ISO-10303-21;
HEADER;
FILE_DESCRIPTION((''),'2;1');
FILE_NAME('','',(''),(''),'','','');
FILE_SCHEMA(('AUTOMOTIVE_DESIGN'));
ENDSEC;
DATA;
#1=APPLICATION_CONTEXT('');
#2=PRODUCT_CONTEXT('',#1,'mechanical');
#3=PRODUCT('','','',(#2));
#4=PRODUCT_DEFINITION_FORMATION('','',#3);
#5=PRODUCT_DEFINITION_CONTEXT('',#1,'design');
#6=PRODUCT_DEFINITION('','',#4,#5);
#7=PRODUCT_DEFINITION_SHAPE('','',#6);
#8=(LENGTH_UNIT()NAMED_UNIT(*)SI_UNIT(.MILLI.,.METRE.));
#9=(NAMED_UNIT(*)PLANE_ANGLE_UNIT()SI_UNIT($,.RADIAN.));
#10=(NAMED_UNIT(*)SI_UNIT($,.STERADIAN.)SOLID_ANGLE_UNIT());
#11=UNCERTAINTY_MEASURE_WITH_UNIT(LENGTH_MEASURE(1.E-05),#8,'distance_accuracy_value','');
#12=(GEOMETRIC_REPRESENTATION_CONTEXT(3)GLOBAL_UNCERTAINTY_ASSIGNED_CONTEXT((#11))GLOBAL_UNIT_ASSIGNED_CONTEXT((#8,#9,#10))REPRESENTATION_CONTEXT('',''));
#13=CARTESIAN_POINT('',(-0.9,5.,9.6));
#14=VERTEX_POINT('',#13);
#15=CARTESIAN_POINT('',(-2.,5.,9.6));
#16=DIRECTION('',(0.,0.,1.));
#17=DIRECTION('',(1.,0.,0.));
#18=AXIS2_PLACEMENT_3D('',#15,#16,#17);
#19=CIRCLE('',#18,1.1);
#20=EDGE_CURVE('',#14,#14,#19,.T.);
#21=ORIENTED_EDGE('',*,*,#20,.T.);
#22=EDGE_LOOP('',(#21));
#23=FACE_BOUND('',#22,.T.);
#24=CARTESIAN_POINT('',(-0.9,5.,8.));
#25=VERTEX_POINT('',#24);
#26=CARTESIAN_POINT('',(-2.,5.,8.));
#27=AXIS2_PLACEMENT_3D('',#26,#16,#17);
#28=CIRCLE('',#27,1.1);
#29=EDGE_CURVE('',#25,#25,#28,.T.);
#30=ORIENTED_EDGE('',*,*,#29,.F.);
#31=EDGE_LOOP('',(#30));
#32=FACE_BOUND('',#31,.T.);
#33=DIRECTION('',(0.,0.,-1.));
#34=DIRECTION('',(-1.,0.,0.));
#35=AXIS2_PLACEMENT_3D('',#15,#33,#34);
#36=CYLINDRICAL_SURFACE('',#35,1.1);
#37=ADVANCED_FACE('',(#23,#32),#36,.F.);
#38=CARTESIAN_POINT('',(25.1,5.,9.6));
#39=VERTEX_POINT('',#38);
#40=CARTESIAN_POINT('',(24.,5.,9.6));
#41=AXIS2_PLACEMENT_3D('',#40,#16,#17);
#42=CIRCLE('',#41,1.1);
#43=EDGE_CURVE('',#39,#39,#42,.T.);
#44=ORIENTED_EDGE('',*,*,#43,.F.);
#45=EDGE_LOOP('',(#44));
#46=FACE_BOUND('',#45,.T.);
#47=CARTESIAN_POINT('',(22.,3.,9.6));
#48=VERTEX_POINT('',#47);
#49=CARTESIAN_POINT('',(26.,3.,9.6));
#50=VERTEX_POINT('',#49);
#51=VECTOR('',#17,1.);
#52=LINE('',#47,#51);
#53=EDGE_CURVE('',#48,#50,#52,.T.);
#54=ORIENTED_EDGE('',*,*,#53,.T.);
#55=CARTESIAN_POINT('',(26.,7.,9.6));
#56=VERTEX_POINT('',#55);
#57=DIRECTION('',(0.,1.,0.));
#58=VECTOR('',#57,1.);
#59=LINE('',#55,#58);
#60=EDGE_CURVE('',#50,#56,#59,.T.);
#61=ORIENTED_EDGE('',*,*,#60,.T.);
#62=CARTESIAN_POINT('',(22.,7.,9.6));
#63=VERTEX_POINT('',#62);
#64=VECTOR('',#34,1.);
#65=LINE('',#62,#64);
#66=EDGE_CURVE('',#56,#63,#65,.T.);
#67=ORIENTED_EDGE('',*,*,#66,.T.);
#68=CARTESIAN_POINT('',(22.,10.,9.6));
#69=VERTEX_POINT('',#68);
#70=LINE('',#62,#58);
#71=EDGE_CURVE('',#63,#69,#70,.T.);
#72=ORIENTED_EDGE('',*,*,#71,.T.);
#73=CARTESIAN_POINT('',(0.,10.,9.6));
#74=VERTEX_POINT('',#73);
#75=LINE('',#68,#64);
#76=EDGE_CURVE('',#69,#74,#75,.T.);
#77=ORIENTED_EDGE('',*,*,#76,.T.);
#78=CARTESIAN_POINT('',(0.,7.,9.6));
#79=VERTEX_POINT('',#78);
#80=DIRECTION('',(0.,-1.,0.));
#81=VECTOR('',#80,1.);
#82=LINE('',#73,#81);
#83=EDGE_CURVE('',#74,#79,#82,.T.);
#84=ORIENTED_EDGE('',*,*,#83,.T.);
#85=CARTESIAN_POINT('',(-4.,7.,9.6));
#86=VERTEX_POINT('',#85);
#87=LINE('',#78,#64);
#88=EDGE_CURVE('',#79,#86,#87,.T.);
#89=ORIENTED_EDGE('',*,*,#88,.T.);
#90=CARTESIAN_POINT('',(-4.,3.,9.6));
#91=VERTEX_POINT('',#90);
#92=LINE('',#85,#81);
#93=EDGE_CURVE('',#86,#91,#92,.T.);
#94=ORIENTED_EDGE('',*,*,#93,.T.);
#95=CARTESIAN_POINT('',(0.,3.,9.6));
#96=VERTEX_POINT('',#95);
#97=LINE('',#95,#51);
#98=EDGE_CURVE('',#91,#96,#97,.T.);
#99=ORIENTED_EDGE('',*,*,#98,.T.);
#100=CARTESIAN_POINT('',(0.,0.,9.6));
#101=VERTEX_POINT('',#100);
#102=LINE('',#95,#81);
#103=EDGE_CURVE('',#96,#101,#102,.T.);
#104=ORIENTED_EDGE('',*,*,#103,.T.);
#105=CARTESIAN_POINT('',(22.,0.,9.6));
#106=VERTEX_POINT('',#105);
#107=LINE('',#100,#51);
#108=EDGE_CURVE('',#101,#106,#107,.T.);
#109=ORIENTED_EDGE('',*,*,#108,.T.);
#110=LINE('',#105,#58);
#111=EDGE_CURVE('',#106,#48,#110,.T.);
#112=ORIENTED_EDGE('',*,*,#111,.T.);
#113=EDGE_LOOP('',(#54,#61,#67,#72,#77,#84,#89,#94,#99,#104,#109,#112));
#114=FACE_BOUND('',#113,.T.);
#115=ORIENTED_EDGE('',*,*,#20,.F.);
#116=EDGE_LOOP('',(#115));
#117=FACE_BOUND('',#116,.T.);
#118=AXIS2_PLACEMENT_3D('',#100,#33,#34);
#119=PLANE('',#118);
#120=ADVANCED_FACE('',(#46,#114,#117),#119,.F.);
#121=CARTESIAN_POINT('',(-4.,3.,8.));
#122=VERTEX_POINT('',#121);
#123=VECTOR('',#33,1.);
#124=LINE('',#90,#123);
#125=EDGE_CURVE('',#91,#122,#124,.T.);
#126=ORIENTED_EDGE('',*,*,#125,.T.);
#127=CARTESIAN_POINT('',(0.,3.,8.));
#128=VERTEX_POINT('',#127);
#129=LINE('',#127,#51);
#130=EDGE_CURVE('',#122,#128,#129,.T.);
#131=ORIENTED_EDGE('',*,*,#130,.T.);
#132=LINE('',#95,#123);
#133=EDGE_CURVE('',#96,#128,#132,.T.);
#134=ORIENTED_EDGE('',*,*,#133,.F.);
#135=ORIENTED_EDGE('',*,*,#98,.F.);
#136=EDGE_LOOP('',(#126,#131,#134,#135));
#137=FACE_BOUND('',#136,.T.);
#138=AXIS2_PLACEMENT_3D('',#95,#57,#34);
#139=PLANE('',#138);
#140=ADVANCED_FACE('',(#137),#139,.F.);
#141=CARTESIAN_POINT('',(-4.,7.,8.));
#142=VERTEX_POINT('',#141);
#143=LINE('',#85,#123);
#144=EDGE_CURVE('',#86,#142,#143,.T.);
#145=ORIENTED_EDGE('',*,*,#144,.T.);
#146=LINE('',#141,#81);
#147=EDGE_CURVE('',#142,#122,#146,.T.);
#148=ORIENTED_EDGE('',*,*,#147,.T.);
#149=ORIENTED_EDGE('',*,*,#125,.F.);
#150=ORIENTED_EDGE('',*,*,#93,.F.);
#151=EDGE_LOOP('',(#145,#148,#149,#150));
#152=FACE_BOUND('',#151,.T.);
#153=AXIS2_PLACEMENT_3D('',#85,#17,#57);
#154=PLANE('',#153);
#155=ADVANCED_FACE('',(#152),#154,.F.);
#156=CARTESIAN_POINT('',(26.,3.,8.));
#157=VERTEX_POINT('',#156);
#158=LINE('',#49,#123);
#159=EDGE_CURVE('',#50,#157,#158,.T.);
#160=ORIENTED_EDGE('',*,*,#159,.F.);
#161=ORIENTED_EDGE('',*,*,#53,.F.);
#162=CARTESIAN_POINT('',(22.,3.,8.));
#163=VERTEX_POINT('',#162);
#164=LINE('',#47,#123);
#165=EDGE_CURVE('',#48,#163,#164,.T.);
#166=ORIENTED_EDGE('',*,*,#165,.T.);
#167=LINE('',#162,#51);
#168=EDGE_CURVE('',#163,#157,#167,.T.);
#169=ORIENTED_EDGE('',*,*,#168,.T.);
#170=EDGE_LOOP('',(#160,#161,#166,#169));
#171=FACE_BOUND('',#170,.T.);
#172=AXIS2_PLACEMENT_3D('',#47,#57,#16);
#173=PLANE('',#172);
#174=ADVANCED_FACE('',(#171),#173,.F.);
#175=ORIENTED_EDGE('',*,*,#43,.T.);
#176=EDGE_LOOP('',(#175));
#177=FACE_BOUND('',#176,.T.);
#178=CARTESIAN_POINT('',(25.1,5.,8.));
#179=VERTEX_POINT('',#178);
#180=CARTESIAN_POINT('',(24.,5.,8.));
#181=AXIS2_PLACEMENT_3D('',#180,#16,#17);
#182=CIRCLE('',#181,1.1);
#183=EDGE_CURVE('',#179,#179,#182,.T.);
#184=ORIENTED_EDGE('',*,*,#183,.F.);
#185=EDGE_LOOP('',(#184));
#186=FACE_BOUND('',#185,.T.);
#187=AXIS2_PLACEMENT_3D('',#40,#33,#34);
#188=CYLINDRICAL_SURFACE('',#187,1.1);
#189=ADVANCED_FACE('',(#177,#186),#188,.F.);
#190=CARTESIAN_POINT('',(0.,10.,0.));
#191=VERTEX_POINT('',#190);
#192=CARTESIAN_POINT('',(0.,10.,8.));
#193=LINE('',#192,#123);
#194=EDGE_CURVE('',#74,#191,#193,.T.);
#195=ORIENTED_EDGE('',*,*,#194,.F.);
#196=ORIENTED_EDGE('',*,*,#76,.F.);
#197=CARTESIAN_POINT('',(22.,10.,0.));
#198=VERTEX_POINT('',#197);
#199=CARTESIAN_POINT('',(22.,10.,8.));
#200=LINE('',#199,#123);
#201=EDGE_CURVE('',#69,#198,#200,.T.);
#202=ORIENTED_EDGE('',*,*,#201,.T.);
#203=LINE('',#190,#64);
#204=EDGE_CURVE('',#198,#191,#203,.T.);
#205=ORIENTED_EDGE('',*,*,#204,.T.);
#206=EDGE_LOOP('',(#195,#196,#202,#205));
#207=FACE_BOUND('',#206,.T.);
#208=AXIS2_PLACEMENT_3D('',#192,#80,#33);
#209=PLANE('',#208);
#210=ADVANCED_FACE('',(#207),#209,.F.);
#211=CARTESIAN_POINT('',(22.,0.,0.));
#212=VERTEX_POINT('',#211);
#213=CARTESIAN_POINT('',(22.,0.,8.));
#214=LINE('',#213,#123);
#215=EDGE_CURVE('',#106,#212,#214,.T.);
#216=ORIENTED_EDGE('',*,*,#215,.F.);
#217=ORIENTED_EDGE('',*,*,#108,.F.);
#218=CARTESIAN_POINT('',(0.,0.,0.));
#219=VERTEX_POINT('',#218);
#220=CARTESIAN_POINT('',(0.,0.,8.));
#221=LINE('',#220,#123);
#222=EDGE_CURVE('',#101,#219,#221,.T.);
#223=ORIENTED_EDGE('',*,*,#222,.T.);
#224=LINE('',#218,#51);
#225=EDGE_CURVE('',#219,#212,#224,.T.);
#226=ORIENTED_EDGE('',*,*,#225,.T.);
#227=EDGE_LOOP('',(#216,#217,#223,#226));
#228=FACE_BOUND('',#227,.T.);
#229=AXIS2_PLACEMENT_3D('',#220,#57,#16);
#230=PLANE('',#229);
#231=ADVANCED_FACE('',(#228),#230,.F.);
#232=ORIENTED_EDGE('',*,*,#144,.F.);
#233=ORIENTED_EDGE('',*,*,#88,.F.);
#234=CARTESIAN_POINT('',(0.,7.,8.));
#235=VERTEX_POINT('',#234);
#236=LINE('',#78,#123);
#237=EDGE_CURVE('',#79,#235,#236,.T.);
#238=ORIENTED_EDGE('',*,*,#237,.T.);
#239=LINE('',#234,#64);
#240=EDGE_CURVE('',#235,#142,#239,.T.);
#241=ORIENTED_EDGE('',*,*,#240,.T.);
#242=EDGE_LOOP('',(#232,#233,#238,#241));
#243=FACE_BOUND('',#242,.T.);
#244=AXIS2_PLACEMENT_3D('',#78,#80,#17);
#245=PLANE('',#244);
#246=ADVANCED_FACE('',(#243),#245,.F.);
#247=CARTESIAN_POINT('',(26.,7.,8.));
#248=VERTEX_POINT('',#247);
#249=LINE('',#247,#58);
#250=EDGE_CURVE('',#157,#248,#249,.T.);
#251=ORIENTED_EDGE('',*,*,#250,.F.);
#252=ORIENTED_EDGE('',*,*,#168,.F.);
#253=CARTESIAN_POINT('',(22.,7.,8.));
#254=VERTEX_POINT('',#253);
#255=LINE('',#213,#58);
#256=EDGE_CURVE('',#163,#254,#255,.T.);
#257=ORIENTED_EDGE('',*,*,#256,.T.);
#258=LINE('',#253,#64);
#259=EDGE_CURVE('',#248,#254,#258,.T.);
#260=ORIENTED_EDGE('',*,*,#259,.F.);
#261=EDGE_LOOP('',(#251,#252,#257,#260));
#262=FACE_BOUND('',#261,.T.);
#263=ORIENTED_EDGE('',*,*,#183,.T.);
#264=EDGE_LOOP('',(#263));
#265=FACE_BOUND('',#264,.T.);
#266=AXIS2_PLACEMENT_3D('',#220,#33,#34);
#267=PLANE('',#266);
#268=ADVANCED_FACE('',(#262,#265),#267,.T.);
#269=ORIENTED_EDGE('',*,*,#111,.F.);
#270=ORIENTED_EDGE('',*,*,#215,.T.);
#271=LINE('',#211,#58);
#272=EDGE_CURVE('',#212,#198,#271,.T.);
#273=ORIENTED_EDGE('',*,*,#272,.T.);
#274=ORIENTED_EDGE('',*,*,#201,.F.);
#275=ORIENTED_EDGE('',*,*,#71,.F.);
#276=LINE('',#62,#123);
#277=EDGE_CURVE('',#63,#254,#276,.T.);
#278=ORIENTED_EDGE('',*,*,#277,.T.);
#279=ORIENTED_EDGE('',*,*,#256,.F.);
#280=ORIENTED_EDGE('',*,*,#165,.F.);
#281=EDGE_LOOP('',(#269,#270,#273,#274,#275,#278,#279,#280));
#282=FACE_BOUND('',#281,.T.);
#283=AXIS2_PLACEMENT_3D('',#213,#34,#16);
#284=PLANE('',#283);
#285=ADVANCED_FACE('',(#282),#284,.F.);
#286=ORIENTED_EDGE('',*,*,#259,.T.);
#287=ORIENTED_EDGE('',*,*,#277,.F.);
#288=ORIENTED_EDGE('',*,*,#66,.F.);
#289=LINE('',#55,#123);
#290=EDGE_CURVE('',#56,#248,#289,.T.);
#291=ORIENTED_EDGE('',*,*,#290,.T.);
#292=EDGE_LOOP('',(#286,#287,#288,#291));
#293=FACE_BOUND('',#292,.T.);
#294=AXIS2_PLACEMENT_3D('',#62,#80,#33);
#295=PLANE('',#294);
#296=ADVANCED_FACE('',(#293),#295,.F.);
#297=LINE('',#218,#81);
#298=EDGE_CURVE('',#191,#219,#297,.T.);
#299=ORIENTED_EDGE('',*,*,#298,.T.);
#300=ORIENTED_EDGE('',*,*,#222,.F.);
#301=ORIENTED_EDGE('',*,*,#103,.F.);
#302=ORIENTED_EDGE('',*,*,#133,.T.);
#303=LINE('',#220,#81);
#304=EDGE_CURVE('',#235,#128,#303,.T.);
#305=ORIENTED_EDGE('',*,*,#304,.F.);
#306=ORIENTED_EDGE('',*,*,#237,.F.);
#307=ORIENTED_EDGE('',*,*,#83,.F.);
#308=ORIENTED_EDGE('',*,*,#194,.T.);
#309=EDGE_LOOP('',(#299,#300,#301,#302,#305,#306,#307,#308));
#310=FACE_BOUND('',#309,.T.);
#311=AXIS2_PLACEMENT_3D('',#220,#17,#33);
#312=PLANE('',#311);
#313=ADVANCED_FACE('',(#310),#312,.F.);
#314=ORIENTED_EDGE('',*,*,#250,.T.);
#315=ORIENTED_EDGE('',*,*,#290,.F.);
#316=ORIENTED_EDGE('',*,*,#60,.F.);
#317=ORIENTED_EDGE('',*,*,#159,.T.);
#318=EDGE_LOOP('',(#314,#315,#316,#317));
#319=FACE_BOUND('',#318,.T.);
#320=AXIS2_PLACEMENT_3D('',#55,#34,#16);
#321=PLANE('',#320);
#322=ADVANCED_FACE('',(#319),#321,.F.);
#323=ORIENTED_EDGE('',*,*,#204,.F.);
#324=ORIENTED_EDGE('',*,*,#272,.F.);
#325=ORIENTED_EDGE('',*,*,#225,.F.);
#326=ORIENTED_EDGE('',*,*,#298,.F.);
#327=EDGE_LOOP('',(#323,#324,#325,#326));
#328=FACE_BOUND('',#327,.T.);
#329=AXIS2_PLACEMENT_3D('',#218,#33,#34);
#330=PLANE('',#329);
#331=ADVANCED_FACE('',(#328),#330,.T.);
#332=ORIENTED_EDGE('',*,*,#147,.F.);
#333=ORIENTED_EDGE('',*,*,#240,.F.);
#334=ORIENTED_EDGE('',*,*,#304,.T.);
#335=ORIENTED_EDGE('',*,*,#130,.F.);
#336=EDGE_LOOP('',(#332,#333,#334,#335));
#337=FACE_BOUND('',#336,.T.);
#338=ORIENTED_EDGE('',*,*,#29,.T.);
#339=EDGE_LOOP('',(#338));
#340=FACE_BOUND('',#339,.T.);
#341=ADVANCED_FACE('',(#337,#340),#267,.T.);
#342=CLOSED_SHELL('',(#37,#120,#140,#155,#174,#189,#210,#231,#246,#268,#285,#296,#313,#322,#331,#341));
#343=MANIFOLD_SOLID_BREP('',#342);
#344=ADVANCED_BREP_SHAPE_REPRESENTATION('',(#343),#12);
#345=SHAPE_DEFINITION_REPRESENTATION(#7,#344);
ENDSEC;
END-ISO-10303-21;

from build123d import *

# Parameters (mm, degrees)
SKETCH_1_W      = 22
SKETCH_1_H      = 10
EXTRUDE_1_DEPTH = 8
SKETCH_2_R      = 1.1
EXTRUDE_2_DEPTH = 1.6


with BuildPart() as part:
    # 草图1 → 凸台-拉伸1 (new body)
    with BuildSketch(Plane.XY):
        with Locations((11, 5)):
            Rectangle(SKETCH_1_W, SKETCH_1_H)
    extrude(amount=EXTRUDE_1_DEPTH)

    # 草图2 → 凸台-拉伸2 (add)
    with BuildSketch(Plane.XY.offset(8)):
        Polygon((0, 7), (-4, 7), (-4, 3), (0, 3), (0, 0), (22, 0), (22, 3), (26, 3), (26, 7), (22, 7), (22, 10), (0, 10), align=None)
        with Locations((-2, 5)):
            Circle(SKETCH_2_R, mode=Mode.SUBTRACT)
        with Locations((24, 5)):
            Circle(SKETCH_2_R, mode=Mode.SUBTRACT)
    extrude(amount=EXTRUDE_2_DEPTH)


solid = part.part
